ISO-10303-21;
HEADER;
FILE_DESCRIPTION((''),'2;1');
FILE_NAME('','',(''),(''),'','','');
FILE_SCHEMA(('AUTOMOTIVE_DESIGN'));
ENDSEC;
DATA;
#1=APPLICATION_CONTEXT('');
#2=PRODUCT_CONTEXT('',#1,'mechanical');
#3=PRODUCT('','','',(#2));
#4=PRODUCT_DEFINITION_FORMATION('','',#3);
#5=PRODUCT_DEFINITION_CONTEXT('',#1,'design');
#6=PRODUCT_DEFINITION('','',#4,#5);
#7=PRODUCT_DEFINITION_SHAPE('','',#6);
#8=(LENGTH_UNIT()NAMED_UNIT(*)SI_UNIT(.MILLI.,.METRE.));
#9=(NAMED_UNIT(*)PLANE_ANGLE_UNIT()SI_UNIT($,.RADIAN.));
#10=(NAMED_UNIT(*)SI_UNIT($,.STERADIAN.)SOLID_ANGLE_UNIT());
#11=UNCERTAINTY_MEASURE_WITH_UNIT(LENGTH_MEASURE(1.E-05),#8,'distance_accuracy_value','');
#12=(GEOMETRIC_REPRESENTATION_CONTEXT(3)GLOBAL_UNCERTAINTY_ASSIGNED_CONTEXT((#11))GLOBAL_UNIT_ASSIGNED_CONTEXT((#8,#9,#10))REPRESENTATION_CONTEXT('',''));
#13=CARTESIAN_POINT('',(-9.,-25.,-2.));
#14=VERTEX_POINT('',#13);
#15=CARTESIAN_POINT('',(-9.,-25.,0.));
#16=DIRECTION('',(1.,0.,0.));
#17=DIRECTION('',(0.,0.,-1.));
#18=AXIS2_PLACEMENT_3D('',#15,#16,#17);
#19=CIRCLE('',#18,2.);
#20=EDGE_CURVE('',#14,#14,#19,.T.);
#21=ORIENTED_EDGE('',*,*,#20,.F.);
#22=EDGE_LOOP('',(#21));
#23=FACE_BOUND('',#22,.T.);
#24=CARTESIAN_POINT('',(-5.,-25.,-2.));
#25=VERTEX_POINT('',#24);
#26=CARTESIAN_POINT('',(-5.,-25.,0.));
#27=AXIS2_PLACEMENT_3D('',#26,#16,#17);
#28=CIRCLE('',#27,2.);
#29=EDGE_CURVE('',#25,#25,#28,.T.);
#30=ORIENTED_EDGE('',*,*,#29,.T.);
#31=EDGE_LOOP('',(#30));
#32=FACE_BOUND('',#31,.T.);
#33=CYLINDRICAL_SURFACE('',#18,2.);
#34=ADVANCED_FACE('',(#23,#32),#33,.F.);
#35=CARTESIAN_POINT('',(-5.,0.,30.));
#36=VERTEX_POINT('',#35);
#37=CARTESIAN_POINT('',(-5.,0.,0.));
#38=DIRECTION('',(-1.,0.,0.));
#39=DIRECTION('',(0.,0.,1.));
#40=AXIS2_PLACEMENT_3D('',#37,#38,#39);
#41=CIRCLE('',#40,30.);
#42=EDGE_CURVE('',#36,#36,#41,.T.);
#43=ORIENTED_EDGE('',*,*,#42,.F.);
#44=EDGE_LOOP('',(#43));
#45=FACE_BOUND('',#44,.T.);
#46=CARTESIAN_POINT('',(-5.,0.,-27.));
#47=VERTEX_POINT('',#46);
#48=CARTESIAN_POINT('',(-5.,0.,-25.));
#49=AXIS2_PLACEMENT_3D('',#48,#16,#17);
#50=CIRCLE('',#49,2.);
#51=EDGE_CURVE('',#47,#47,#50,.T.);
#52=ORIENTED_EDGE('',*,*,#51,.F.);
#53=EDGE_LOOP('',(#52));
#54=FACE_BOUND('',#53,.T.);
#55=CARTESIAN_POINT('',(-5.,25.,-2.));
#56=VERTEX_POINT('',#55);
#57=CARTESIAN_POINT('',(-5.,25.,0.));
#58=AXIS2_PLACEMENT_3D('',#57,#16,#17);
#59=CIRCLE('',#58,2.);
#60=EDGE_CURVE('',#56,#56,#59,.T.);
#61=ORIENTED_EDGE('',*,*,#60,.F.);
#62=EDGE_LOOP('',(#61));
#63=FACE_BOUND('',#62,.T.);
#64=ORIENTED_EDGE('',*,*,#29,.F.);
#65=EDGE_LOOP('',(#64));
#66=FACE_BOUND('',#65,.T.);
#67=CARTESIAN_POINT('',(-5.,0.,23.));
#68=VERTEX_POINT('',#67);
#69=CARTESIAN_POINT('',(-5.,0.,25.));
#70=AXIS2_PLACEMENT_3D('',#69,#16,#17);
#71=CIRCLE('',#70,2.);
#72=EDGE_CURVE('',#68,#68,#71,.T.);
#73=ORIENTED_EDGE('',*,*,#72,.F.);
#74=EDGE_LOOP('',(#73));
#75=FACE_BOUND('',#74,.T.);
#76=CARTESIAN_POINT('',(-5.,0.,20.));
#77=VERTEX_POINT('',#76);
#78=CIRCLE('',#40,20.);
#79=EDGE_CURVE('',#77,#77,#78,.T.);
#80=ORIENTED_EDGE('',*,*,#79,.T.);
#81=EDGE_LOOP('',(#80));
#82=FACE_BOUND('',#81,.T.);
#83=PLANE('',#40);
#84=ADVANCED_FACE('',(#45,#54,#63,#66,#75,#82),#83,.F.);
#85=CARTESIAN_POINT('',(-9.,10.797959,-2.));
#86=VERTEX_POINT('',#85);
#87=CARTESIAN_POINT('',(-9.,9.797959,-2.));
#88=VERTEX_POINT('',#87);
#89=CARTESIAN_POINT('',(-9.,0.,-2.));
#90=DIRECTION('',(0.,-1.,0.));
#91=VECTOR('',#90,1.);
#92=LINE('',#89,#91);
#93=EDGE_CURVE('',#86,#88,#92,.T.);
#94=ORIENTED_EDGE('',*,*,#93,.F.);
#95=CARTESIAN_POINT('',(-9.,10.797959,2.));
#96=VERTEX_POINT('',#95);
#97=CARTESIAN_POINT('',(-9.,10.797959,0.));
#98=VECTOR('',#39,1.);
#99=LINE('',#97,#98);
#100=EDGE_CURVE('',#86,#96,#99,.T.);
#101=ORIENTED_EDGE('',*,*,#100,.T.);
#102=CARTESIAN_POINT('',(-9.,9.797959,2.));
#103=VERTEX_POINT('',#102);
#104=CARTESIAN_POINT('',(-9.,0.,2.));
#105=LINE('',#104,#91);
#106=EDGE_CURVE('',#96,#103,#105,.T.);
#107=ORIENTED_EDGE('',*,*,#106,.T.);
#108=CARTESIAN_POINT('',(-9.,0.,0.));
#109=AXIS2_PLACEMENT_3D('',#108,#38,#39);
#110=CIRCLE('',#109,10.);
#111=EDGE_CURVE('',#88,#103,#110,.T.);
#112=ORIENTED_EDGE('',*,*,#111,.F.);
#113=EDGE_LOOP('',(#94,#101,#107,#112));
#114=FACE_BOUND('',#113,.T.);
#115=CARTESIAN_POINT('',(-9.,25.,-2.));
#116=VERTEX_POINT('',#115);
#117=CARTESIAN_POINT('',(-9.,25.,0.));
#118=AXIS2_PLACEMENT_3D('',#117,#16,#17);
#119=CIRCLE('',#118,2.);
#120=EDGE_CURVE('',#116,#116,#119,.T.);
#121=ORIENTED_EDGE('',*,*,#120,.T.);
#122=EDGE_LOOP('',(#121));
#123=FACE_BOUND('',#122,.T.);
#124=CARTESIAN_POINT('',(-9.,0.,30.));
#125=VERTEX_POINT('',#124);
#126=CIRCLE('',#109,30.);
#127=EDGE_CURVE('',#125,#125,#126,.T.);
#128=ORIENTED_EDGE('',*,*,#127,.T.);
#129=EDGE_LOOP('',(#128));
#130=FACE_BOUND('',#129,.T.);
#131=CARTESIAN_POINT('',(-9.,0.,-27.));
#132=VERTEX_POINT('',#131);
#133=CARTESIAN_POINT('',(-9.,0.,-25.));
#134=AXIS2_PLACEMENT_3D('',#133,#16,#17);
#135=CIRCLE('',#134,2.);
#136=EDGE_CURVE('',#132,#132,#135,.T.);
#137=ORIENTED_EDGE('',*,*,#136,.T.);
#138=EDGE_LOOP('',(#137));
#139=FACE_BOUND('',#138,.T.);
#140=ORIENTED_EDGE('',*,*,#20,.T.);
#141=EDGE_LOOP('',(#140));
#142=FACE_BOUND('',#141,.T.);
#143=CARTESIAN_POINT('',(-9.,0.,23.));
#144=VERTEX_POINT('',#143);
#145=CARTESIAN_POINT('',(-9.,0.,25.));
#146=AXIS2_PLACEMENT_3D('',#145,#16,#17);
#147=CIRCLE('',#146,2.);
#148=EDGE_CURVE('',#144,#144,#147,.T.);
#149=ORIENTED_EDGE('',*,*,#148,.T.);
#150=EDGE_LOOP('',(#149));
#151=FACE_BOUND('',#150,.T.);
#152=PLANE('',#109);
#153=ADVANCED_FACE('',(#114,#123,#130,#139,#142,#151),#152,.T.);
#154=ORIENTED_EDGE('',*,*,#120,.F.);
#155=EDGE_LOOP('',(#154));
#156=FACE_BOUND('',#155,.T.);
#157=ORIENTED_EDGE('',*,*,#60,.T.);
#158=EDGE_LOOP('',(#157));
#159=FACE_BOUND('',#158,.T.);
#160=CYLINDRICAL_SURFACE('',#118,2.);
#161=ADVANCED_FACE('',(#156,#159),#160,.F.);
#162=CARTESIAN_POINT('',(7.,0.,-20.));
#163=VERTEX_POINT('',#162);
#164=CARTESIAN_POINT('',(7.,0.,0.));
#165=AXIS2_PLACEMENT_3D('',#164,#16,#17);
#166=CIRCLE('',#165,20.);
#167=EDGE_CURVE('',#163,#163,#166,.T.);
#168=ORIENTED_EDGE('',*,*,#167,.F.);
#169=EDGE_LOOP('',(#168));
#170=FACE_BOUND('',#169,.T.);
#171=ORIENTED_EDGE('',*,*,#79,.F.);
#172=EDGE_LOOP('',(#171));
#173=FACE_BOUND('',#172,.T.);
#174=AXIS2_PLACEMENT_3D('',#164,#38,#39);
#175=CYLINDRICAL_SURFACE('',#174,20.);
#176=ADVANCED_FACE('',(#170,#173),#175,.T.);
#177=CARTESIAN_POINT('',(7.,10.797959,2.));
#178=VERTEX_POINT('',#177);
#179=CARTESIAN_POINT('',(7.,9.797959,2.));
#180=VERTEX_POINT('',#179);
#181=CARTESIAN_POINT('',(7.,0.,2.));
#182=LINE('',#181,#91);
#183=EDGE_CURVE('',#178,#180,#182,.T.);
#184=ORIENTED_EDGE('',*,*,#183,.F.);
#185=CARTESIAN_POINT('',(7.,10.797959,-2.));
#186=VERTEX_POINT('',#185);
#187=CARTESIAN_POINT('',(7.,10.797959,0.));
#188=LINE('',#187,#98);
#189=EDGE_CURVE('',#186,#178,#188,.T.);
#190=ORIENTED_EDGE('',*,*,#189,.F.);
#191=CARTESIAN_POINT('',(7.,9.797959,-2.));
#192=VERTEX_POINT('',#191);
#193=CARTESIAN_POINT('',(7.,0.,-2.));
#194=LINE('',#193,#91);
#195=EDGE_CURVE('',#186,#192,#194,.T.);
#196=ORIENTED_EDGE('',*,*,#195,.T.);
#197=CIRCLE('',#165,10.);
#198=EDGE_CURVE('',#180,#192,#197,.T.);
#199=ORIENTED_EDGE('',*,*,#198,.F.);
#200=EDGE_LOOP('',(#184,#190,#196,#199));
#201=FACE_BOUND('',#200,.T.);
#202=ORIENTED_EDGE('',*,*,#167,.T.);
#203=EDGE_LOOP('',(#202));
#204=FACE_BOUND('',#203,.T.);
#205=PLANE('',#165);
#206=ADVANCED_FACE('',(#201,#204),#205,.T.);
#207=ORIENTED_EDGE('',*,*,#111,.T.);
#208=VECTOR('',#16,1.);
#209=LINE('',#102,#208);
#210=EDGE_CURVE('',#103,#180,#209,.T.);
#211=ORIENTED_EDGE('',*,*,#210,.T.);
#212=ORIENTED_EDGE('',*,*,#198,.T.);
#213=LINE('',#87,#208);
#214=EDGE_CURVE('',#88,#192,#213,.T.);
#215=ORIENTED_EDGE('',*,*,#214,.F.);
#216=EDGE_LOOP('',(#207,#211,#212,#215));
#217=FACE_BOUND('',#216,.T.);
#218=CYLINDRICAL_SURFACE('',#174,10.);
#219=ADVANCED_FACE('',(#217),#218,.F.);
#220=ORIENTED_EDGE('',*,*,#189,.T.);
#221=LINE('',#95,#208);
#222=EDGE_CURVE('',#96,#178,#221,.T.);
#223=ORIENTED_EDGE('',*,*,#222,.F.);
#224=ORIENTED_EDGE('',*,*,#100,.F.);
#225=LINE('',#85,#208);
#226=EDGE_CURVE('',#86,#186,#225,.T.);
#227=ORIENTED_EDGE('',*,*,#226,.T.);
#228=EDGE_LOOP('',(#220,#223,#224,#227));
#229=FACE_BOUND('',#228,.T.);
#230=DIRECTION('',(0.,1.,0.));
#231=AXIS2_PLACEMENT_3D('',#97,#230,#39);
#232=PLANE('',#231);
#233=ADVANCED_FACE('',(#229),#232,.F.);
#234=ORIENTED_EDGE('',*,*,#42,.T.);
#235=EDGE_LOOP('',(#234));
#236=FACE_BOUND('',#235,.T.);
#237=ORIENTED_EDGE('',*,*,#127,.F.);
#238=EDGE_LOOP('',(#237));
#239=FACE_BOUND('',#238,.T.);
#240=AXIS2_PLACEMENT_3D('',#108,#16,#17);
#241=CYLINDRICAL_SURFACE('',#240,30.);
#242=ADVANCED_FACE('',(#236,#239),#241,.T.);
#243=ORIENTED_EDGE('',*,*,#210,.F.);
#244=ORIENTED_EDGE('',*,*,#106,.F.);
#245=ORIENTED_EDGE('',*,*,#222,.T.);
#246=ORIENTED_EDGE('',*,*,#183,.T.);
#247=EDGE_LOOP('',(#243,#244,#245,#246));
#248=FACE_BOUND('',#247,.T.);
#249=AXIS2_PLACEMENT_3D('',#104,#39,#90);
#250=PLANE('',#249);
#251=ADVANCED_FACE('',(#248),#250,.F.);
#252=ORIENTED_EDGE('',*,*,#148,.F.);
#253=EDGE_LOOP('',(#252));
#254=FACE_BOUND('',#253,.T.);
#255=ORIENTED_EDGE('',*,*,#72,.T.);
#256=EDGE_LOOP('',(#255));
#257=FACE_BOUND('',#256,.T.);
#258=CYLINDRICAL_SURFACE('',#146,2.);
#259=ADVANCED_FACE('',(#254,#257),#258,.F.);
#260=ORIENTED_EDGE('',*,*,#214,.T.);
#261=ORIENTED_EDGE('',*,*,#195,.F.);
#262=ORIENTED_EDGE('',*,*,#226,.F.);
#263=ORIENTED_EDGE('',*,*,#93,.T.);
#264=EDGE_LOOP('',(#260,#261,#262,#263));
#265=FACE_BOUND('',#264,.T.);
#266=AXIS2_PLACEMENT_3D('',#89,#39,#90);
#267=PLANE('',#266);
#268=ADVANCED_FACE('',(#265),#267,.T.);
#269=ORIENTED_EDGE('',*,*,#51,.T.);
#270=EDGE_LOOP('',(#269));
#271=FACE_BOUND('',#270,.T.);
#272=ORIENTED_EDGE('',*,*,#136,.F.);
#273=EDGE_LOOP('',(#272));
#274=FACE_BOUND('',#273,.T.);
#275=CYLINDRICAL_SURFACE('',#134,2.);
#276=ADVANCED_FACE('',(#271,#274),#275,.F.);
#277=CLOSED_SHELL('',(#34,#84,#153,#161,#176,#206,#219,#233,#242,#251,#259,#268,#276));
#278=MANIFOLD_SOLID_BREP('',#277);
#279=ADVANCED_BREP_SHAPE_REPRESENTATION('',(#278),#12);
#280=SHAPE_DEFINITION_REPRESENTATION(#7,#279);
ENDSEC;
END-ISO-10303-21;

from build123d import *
from build123d.topology import SkipClean

# Parameters (mm, degrees)
SKETCH1_R           = 20
SKETCH1_R_2         = 10
BOSS_EXTRUDE1_DEPTH = 7
SKETCH2_R           = 30
SKETCH2_R_2         = 10
BOSS_EXTRUDE2_DEPTH = 2
SKETCH3_R           = 2
CUT_EXTRUDE1_DEPTH  = 45.09081537
CUT_EXTRUDE2_DEPTH  = 46.343136195


with BuildPart() as part:
    # Sketch1 → Boss-Extrude1 (new, symmetric)
    with BuildSketch(Plane(origin=(0, 0, 0), x_dir=(0, 0, -1), z_dir=(1, 0, 0))):
        Circle(SKETCH1_R)
        Circle(SKETCH1_R_2, mode=Mode.SUBTRACT)
    extrude(amount=BOSS_EXTRUDE1_DEPTH, both=True)

    # Sketch2 → Boss-Extrude2 (add, symmetric)
    with BuildSketch(Plane.ZY.offset(7)):
        Circle(SKETCH2_R)
        Circle(SKETCH2_R_2, mode=Mode.SUBTRACT)
    extrude(amount=BOSS_EXTRUDE2_DEPTH, both=True)

    # Sketch3 → Cut-Extrude1 (cut, through all)
    with BuildSketch(Plane(origin=(-5, 0, 0), x_dir=(0, 0, -1), z_dir=(1, 0, 0))):
        with Locations((0, 25)):
            Circle(SKETCH3_R)
        with Locations((25, 0)):
            Circle(SKETCH3_R)
        with Locations((0, -25)):
            Circle(SKETCH3_R)
        with Locations((-25, 0)):
            Circle(SKETCH3_R)
    extrude(amount=-CUT_EXTRUDE1_DEPTH, mode=Mode.SUBTRACT)

    # Sketch4 → Cut-Extrude2 (cut, through all)
    with SkipClean():  # the faces are left unmerged after this step: merging them gives an invalid solid
        with BuildSketch(Plane(origin=(7, 0, 0), x_dir=(0, 0, -1), z_dir=(1, 0, 0))):
            with BuildLine():
                ThreePointArc((-2, 9.797958971), (-1.00508962, 9.94936153), (0, 10))
                Line((0, 10), (0, 10.797958971))
                Line((0, 10.797958971), (-2, 10.797958971))
                Line((-2, 10.797958971), (-2, 9.797958971))
            make_face()
            with BuildLine():
                Line((0, 10.797958971), (0, 10))
                ThreePointArc((0, 10), (1.00508962, 9.94936153), (2, 9.797958971))
                Line((2, 9.797958971), (2, 10.797958971))
                Line((2, 10.797958971), (0, 10.797958971))
            make_face()
        extrude(amount=-CUT_EXTRUDE2_DEPTH, mode=Mode.SUBTRACT)


solid = part.part
